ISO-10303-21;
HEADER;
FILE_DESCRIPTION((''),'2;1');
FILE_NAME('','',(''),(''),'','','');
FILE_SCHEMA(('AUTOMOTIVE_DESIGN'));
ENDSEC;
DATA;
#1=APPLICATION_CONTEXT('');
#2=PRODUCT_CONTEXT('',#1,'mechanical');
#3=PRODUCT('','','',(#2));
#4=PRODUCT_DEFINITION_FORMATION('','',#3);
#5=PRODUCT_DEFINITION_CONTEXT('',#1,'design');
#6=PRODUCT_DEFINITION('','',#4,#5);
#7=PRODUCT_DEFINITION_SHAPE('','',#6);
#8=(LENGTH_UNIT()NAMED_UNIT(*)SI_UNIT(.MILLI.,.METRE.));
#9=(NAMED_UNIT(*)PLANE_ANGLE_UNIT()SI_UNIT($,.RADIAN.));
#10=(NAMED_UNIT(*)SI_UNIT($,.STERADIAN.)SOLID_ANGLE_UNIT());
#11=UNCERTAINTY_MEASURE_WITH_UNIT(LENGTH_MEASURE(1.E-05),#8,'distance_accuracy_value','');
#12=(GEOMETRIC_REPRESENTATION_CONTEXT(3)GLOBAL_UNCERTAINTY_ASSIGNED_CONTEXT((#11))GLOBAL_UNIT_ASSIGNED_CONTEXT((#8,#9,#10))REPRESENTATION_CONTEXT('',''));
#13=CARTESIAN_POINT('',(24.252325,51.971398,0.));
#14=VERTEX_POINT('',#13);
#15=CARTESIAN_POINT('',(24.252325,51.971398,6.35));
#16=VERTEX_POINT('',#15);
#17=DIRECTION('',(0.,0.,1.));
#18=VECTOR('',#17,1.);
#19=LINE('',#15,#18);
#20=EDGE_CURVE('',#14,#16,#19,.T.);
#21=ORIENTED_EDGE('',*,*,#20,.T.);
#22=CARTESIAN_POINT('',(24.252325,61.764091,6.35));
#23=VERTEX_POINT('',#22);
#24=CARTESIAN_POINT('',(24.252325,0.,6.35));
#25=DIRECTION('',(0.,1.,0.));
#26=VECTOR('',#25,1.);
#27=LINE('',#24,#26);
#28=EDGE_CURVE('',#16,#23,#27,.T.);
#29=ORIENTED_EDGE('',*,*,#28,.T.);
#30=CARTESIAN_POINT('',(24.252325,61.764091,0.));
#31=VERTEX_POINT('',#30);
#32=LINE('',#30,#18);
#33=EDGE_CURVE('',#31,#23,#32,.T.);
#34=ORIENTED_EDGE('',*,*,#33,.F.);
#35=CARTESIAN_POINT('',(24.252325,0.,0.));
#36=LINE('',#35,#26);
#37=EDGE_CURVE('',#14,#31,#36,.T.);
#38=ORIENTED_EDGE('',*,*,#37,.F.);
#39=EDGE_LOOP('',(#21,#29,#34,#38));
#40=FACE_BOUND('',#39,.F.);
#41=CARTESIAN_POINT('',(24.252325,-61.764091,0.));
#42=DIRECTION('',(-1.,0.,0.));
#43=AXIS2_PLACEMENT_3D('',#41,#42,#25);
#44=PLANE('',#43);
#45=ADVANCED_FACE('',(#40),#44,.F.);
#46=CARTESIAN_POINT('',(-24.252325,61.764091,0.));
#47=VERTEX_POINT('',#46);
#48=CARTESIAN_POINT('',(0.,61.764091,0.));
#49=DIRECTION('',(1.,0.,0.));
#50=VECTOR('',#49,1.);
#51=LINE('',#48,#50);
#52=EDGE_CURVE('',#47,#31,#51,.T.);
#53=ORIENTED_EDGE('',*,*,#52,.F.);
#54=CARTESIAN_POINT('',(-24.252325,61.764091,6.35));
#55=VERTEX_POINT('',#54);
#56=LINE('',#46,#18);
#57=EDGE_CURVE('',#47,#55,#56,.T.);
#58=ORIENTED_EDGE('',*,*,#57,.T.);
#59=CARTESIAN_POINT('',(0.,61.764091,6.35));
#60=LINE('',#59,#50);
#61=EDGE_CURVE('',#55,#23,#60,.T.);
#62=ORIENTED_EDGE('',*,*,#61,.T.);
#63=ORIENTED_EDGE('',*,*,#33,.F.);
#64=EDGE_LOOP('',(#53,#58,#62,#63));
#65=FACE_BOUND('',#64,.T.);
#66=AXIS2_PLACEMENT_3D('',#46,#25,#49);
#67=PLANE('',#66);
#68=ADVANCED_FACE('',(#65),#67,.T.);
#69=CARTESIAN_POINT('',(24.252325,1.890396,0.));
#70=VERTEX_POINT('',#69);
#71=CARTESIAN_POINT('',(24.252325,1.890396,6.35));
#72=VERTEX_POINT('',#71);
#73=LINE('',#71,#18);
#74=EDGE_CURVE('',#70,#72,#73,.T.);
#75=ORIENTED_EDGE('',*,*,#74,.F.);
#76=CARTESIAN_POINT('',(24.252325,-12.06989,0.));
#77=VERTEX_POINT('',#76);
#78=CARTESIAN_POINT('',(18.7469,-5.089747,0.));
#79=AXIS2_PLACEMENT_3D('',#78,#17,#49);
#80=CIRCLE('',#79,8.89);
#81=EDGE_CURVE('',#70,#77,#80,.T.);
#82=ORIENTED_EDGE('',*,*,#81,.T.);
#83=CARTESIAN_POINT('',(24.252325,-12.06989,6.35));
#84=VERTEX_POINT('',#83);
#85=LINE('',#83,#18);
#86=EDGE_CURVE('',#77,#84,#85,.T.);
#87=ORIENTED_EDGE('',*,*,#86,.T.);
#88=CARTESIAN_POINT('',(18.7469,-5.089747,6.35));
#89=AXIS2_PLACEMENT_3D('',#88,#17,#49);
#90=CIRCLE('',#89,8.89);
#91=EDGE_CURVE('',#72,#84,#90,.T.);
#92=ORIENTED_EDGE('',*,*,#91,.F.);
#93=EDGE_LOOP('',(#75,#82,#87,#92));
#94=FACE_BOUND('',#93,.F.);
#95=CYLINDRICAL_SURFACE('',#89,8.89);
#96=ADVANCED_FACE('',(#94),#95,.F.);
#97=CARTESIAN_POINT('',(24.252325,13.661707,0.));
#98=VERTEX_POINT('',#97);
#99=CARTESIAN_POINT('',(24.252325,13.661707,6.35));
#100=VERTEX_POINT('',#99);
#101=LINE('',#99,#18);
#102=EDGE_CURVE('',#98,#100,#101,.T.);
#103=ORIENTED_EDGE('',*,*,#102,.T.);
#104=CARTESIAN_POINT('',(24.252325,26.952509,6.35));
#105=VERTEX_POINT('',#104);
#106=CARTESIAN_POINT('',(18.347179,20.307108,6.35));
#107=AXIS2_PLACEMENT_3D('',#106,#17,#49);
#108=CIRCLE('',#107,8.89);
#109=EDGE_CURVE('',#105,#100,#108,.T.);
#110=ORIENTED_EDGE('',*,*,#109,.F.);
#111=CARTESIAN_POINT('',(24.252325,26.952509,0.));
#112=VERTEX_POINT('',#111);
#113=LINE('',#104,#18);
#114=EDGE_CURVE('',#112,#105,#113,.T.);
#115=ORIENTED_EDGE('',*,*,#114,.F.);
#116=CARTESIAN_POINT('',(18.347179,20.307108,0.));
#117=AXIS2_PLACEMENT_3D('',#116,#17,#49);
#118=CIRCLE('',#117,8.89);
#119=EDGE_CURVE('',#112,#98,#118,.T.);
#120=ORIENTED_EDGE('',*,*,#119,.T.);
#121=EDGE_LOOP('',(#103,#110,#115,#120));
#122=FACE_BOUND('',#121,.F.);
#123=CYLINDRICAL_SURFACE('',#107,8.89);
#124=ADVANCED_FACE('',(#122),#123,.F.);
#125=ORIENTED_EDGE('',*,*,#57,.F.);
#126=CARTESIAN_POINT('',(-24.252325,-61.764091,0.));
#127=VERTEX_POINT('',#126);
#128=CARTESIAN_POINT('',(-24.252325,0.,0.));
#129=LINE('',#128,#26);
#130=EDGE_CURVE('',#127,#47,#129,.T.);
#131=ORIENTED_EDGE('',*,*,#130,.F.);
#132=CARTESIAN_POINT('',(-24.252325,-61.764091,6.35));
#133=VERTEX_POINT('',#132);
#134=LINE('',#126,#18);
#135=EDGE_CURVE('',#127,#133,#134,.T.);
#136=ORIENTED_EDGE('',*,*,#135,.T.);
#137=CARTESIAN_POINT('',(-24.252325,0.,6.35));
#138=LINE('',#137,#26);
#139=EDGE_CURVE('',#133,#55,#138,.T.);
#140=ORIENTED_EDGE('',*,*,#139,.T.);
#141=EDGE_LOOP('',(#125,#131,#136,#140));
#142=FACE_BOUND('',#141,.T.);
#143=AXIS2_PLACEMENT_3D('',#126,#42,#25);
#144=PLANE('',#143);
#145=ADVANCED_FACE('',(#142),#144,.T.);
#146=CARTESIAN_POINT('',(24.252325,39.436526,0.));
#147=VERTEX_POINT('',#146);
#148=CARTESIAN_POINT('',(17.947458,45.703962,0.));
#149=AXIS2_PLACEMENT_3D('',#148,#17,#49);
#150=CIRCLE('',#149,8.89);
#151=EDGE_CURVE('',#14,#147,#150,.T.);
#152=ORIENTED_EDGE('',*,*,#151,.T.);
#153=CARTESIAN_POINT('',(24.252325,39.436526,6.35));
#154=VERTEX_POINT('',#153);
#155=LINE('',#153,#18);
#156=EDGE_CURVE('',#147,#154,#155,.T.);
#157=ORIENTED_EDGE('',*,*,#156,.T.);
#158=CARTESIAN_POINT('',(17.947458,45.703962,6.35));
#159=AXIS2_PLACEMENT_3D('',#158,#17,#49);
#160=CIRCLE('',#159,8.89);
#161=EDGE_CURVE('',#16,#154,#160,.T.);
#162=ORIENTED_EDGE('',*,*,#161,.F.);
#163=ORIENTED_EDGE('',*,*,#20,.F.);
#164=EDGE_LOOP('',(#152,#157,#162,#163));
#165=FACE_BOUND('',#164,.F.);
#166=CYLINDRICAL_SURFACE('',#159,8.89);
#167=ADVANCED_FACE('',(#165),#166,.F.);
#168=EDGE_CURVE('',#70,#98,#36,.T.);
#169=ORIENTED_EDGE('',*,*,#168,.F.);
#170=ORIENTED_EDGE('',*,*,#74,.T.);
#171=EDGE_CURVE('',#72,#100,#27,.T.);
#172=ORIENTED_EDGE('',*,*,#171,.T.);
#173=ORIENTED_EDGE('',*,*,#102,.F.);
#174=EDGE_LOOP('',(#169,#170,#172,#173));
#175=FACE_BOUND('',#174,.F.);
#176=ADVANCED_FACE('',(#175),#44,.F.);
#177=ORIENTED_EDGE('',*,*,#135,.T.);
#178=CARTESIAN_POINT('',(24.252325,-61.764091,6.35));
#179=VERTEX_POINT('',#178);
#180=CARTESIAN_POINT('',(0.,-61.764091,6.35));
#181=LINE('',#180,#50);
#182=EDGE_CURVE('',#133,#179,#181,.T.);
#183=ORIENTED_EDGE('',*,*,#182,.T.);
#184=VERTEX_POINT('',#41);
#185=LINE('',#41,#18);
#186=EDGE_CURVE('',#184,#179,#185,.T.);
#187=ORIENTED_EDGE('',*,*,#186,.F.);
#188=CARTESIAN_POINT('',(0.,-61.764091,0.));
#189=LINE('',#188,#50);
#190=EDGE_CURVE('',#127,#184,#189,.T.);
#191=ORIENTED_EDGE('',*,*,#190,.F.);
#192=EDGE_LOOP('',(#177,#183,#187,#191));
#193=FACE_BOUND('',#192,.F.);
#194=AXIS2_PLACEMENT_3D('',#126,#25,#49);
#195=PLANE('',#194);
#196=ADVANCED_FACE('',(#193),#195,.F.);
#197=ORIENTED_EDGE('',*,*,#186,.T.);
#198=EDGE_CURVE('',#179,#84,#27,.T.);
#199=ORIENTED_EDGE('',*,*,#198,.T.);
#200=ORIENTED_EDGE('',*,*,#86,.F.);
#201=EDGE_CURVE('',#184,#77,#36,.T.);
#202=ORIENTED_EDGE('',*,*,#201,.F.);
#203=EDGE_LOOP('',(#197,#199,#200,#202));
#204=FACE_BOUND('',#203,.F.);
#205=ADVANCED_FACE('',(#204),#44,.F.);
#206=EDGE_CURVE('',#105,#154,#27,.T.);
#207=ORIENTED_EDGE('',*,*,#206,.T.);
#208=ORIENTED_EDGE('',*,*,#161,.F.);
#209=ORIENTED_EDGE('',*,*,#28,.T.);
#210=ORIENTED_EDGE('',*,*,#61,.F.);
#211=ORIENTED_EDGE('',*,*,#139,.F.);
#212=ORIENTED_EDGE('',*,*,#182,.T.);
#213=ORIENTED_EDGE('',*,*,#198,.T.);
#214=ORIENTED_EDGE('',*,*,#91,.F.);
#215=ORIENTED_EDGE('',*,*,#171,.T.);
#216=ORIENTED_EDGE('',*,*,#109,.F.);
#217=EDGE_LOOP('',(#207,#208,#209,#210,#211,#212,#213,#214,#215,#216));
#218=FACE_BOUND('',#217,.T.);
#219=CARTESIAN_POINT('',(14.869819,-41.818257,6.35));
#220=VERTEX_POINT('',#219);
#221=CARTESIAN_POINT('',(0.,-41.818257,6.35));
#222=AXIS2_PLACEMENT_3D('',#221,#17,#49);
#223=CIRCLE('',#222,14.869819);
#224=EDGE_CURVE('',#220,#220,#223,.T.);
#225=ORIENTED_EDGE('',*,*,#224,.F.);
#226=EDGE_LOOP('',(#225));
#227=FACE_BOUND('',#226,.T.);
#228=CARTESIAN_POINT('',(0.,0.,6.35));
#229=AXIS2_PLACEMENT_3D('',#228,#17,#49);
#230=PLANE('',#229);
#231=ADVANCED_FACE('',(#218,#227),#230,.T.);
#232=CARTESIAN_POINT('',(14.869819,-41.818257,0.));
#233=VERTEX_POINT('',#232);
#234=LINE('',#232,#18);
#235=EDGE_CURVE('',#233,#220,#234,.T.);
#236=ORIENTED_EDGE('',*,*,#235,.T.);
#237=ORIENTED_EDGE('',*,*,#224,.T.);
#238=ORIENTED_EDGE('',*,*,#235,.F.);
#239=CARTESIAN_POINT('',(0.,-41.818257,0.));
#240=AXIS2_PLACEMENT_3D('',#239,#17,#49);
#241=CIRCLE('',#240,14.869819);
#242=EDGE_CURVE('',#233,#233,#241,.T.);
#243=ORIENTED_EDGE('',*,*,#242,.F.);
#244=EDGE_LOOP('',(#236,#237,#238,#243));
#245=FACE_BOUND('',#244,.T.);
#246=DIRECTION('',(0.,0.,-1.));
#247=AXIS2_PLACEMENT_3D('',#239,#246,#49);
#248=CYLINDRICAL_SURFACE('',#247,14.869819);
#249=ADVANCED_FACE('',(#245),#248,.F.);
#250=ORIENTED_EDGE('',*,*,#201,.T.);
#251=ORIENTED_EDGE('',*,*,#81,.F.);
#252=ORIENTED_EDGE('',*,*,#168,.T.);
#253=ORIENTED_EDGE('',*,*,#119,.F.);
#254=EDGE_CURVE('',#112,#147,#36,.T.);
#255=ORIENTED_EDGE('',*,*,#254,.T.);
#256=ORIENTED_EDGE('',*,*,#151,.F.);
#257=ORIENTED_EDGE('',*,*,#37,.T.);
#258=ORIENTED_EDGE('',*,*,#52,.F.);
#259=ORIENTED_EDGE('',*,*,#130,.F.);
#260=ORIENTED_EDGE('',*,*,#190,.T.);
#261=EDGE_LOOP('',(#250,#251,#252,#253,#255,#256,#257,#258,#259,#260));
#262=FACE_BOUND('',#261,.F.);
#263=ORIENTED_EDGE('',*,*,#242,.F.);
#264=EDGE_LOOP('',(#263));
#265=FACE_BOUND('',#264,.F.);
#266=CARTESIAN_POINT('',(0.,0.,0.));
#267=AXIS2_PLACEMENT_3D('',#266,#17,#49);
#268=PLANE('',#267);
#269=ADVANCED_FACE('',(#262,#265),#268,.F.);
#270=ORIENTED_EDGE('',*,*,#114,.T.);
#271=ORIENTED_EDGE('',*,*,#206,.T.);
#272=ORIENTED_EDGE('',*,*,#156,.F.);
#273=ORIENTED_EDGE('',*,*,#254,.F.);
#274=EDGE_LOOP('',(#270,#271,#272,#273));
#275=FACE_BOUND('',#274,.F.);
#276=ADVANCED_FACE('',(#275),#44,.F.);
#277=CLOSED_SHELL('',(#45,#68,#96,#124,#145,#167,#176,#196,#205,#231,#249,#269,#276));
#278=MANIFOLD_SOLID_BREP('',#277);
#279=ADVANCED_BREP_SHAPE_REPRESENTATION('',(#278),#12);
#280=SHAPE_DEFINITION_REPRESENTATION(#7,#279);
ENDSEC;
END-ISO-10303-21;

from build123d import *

# Parameters (mm, degrees)
F0_W     = 48.50465
F0_H     = 123.528182
F0_R     = 14.869819
F1_DEPTH = 6.35
F2_R     = 8.89
F3_DEPTH = 6.351


with BuildPart() as f1:
    # F0 (on Top) → F1 (new body)
    with BuildSketch(Plane.XY):
        Rectangle(F0_W, F0_H)
        with Locations((0, -41.818257)):
            Circle(F0_R, mode=Mode.SUBTRACT)
    extrude(amount=F1_DEPTH)

    # F2 (on face) → F3 (cut, through all)
    with BuildSketch(Plane.XY.offset(6.35)):
        with Locations((17.947458, 45.703962)):
            Circle(F2_R)
        with Locations((18.347179, 20.307108)):
            Circle(F2_R)
        with Locations((18.7469, -5.089747)):
            Circle(F2_R)
    extrude(amount=-F3_DEPTH, mode=Mode.SUBTRACT)


solid = f1.part
